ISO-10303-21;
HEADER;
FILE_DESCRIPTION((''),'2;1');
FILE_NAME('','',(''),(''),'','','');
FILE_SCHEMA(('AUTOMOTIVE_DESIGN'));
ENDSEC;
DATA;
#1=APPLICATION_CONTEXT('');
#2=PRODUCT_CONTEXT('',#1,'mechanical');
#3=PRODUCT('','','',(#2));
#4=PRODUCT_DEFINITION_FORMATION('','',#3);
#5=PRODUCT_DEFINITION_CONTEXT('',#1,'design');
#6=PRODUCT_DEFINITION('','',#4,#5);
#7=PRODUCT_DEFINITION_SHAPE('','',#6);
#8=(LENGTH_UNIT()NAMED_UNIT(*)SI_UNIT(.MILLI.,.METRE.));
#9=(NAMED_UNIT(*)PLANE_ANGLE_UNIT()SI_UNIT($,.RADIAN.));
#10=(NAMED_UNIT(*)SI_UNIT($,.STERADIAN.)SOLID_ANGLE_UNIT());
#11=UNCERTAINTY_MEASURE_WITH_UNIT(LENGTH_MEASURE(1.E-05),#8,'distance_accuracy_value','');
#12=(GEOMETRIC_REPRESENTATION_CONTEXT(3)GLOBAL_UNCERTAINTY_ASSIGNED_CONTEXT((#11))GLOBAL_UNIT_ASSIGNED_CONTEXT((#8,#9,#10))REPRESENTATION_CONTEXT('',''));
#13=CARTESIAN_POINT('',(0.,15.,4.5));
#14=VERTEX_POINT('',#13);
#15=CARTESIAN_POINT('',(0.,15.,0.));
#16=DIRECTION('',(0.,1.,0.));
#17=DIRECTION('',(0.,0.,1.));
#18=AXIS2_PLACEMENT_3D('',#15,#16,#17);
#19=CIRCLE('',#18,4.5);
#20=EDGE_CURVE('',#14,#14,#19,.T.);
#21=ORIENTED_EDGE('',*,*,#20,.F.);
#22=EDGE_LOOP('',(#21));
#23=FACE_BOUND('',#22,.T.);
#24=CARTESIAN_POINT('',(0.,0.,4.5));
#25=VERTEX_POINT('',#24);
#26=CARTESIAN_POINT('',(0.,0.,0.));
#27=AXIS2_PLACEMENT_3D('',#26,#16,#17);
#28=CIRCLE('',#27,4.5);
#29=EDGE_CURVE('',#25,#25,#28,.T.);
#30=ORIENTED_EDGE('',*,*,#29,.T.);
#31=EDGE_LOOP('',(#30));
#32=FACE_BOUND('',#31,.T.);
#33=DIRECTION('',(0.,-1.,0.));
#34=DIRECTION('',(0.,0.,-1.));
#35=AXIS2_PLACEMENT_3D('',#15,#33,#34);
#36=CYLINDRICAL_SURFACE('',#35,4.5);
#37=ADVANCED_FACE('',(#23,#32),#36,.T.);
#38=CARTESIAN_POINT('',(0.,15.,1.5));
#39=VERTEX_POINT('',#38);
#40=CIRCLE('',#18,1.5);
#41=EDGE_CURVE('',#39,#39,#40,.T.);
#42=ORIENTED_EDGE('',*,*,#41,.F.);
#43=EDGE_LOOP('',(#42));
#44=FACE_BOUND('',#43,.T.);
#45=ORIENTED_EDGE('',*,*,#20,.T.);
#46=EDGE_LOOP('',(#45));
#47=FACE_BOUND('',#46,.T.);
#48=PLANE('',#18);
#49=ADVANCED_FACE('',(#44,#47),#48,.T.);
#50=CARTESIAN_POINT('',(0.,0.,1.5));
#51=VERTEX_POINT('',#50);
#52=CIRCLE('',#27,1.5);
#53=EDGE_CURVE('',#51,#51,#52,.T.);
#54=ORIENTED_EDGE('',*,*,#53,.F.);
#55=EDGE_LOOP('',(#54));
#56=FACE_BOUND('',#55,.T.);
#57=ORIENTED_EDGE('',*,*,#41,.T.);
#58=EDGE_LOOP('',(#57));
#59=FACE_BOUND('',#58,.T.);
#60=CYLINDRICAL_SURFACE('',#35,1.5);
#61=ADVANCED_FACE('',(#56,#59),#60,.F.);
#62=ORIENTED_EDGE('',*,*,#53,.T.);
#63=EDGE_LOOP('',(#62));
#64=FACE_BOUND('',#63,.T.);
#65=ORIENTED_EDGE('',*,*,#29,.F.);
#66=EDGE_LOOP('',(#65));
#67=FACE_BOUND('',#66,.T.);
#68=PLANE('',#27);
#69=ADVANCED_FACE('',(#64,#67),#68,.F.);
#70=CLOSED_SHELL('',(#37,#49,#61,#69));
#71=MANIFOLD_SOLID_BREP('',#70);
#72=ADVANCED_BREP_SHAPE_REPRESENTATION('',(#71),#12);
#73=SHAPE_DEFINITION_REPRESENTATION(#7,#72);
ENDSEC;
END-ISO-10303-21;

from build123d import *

# Parameters (mm, degrees)
SKETCH1_R           = 4.5
SKETCH1_R_2         = 1.5
BOSS_EXTRUDE1_DEPTH = 15


with BuildPart() as part:
    # Sketch1 → Boss-Extrude1 (new body)
    with BuildSketch(Plane(origin=(0, 0, 0), x_dir=(1, 0, 0), z_dir=(0, 1, 0))):
        with Locations(Location((0, 0, 0), (0, 0, 270))):
            Circle(SKETCH1_R)
        with Locations(Location((0, 0, 0), (0, 0, 270))):
            Circle(SKETCH1_R_2, mode=Mode.SUBTRACT)
    extrude(amount=BOSS_EXTRUDE1_DEPTH)


solid = part.part
